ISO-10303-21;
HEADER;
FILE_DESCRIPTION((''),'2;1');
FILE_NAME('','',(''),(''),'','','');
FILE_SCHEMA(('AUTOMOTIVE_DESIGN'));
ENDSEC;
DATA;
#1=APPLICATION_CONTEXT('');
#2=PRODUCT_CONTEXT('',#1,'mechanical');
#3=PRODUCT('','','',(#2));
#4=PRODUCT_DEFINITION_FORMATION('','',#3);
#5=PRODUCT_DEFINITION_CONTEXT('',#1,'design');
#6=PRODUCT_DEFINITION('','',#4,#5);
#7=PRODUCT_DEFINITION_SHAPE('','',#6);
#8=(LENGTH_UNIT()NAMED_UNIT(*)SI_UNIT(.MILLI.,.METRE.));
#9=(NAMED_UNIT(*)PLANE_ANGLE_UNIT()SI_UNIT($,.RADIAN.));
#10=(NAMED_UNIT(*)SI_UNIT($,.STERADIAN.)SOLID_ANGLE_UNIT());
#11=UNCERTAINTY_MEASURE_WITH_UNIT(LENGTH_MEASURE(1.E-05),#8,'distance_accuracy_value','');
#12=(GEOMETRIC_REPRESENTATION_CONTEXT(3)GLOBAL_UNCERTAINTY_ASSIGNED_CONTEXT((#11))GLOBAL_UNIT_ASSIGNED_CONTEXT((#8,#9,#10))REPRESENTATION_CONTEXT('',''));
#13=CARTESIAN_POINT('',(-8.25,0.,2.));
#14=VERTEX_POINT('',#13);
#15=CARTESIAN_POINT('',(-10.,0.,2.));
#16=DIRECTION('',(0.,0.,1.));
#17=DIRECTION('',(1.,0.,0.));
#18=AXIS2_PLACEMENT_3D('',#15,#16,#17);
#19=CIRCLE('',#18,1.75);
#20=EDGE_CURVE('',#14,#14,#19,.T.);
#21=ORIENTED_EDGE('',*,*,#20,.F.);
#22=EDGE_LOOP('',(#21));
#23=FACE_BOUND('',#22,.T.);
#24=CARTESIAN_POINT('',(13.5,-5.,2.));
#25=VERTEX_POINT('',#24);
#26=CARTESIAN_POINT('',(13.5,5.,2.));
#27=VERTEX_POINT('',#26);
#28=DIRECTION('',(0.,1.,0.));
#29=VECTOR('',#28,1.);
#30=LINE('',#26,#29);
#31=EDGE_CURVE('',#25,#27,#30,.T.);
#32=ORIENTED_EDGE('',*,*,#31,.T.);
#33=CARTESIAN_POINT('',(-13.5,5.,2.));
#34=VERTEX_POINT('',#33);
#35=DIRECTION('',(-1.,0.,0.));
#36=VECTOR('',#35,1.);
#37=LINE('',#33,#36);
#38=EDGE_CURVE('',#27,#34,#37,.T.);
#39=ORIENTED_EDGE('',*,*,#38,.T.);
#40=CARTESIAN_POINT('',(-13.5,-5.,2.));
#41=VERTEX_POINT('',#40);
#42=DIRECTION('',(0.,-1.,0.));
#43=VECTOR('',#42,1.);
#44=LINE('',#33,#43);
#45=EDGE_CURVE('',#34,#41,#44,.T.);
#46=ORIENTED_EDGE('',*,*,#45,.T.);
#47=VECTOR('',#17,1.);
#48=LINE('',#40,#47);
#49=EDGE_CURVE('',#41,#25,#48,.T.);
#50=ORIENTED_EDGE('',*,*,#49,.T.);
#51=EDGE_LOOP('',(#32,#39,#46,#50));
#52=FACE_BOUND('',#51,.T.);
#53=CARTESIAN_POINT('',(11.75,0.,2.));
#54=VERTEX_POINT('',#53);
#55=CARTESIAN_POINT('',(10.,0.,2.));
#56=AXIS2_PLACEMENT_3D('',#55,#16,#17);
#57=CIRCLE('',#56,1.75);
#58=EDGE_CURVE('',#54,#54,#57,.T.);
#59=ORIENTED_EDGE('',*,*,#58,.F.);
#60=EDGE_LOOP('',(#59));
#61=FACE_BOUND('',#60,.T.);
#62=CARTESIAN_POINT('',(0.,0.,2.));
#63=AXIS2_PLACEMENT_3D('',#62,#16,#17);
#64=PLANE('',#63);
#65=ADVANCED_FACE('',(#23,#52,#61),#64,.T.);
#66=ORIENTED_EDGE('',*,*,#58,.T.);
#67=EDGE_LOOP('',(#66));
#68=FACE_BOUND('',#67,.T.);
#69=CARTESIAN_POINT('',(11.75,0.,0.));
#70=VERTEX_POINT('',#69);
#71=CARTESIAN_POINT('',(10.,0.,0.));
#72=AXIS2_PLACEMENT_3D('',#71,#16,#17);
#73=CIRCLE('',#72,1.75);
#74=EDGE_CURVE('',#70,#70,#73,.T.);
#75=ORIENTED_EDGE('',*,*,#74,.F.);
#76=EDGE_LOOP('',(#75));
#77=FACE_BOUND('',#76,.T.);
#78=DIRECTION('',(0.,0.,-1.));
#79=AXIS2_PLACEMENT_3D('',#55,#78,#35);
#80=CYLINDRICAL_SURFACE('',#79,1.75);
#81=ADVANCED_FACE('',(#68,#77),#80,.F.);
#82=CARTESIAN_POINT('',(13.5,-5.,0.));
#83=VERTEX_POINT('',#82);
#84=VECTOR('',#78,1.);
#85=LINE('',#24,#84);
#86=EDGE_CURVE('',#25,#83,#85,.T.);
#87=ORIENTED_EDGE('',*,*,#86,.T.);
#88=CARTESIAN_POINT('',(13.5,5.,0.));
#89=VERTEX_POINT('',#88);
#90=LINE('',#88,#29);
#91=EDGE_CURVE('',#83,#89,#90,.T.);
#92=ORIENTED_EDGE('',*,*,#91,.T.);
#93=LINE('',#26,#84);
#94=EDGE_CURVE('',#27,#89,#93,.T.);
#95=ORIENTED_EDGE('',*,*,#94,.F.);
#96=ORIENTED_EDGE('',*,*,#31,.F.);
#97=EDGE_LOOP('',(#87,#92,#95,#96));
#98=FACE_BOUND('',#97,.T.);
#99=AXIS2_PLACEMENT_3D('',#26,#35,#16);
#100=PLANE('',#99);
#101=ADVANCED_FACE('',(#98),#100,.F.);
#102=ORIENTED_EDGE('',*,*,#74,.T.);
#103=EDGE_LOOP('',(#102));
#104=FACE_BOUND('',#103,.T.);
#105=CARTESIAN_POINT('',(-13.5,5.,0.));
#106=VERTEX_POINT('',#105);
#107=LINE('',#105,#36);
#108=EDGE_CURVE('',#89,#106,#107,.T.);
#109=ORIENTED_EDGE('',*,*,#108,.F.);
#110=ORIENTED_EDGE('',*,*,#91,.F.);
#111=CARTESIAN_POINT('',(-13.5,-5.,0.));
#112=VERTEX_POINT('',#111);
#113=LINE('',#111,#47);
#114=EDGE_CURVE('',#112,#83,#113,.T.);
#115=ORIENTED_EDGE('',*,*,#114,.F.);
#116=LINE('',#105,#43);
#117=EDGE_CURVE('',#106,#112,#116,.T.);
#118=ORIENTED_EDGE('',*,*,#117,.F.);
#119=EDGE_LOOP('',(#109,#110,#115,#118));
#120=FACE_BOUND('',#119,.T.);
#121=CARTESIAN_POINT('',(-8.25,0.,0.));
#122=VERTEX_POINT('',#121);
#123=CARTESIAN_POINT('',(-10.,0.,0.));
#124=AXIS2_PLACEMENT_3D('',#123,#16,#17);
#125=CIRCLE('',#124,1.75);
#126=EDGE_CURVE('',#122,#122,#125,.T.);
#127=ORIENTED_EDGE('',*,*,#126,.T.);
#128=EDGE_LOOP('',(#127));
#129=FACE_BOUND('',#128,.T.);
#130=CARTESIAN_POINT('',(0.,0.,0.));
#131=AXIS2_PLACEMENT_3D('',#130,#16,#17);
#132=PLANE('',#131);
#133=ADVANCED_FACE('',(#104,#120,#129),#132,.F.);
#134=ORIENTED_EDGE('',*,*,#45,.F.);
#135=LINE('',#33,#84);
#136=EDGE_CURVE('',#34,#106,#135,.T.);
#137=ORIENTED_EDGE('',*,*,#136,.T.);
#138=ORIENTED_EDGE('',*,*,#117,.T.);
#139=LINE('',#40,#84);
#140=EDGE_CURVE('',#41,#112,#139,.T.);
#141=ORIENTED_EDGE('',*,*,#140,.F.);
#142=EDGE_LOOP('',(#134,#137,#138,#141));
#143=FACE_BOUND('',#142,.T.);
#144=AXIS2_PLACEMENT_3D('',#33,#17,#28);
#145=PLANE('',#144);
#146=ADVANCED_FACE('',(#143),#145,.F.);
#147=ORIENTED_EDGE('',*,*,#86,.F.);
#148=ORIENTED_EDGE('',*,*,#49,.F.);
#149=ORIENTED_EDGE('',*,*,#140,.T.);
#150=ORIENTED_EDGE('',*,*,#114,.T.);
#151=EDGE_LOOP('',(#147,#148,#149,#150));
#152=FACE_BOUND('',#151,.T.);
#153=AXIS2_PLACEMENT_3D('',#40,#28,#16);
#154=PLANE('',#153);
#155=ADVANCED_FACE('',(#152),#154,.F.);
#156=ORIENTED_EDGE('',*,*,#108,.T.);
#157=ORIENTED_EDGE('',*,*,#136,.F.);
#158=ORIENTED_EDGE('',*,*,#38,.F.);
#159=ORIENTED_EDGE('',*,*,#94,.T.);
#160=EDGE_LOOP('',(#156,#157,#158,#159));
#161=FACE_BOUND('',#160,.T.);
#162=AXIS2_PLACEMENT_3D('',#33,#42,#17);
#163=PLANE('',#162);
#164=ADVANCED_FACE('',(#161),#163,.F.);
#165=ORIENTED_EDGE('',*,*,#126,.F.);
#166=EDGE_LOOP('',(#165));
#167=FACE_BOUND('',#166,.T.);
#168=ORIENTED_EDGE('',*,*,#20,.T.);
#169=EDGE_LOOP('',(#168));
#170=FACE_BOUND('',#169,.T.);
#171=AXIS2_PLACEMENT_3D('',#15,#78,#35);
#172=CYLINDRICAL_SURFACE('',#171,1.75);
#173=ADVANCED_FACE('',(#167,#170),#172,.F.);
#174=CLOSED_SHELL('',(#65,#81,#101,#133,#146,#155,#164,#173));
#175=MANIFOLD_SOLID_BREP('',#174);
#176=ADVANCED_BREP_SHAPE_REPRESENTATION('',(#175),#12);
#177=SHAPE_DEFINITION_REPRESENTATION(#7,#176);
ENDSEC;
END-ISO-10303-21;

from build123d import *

# Parameters (mm, degrees)
ESQUISSE1_W        = 27
ESQUISSE1_H        = 10
ESQUISSE1_R        = 1.75
BOSS_EXTRU_1_DEPTH = 2


with BuildPart() as part:
    # Esquisse1 → Boss.-Extru.1 (new body)
    with BuildSketch(Plane.XY):
        Rectangle(ESQUISSE1_W, ESQUISSE1_H)
        with Locations((-10, 0)):
            Circle(ESQUISSE1_R, mode=Mode.SUBTRACT)
        with Locations((10, 0)):
            Circle(ESQUISSE1_R, mode=Mode.SUBTRACT)
    extrude(amount=BOSS_EXTRU_1_DEPTH)


solid = part.part
